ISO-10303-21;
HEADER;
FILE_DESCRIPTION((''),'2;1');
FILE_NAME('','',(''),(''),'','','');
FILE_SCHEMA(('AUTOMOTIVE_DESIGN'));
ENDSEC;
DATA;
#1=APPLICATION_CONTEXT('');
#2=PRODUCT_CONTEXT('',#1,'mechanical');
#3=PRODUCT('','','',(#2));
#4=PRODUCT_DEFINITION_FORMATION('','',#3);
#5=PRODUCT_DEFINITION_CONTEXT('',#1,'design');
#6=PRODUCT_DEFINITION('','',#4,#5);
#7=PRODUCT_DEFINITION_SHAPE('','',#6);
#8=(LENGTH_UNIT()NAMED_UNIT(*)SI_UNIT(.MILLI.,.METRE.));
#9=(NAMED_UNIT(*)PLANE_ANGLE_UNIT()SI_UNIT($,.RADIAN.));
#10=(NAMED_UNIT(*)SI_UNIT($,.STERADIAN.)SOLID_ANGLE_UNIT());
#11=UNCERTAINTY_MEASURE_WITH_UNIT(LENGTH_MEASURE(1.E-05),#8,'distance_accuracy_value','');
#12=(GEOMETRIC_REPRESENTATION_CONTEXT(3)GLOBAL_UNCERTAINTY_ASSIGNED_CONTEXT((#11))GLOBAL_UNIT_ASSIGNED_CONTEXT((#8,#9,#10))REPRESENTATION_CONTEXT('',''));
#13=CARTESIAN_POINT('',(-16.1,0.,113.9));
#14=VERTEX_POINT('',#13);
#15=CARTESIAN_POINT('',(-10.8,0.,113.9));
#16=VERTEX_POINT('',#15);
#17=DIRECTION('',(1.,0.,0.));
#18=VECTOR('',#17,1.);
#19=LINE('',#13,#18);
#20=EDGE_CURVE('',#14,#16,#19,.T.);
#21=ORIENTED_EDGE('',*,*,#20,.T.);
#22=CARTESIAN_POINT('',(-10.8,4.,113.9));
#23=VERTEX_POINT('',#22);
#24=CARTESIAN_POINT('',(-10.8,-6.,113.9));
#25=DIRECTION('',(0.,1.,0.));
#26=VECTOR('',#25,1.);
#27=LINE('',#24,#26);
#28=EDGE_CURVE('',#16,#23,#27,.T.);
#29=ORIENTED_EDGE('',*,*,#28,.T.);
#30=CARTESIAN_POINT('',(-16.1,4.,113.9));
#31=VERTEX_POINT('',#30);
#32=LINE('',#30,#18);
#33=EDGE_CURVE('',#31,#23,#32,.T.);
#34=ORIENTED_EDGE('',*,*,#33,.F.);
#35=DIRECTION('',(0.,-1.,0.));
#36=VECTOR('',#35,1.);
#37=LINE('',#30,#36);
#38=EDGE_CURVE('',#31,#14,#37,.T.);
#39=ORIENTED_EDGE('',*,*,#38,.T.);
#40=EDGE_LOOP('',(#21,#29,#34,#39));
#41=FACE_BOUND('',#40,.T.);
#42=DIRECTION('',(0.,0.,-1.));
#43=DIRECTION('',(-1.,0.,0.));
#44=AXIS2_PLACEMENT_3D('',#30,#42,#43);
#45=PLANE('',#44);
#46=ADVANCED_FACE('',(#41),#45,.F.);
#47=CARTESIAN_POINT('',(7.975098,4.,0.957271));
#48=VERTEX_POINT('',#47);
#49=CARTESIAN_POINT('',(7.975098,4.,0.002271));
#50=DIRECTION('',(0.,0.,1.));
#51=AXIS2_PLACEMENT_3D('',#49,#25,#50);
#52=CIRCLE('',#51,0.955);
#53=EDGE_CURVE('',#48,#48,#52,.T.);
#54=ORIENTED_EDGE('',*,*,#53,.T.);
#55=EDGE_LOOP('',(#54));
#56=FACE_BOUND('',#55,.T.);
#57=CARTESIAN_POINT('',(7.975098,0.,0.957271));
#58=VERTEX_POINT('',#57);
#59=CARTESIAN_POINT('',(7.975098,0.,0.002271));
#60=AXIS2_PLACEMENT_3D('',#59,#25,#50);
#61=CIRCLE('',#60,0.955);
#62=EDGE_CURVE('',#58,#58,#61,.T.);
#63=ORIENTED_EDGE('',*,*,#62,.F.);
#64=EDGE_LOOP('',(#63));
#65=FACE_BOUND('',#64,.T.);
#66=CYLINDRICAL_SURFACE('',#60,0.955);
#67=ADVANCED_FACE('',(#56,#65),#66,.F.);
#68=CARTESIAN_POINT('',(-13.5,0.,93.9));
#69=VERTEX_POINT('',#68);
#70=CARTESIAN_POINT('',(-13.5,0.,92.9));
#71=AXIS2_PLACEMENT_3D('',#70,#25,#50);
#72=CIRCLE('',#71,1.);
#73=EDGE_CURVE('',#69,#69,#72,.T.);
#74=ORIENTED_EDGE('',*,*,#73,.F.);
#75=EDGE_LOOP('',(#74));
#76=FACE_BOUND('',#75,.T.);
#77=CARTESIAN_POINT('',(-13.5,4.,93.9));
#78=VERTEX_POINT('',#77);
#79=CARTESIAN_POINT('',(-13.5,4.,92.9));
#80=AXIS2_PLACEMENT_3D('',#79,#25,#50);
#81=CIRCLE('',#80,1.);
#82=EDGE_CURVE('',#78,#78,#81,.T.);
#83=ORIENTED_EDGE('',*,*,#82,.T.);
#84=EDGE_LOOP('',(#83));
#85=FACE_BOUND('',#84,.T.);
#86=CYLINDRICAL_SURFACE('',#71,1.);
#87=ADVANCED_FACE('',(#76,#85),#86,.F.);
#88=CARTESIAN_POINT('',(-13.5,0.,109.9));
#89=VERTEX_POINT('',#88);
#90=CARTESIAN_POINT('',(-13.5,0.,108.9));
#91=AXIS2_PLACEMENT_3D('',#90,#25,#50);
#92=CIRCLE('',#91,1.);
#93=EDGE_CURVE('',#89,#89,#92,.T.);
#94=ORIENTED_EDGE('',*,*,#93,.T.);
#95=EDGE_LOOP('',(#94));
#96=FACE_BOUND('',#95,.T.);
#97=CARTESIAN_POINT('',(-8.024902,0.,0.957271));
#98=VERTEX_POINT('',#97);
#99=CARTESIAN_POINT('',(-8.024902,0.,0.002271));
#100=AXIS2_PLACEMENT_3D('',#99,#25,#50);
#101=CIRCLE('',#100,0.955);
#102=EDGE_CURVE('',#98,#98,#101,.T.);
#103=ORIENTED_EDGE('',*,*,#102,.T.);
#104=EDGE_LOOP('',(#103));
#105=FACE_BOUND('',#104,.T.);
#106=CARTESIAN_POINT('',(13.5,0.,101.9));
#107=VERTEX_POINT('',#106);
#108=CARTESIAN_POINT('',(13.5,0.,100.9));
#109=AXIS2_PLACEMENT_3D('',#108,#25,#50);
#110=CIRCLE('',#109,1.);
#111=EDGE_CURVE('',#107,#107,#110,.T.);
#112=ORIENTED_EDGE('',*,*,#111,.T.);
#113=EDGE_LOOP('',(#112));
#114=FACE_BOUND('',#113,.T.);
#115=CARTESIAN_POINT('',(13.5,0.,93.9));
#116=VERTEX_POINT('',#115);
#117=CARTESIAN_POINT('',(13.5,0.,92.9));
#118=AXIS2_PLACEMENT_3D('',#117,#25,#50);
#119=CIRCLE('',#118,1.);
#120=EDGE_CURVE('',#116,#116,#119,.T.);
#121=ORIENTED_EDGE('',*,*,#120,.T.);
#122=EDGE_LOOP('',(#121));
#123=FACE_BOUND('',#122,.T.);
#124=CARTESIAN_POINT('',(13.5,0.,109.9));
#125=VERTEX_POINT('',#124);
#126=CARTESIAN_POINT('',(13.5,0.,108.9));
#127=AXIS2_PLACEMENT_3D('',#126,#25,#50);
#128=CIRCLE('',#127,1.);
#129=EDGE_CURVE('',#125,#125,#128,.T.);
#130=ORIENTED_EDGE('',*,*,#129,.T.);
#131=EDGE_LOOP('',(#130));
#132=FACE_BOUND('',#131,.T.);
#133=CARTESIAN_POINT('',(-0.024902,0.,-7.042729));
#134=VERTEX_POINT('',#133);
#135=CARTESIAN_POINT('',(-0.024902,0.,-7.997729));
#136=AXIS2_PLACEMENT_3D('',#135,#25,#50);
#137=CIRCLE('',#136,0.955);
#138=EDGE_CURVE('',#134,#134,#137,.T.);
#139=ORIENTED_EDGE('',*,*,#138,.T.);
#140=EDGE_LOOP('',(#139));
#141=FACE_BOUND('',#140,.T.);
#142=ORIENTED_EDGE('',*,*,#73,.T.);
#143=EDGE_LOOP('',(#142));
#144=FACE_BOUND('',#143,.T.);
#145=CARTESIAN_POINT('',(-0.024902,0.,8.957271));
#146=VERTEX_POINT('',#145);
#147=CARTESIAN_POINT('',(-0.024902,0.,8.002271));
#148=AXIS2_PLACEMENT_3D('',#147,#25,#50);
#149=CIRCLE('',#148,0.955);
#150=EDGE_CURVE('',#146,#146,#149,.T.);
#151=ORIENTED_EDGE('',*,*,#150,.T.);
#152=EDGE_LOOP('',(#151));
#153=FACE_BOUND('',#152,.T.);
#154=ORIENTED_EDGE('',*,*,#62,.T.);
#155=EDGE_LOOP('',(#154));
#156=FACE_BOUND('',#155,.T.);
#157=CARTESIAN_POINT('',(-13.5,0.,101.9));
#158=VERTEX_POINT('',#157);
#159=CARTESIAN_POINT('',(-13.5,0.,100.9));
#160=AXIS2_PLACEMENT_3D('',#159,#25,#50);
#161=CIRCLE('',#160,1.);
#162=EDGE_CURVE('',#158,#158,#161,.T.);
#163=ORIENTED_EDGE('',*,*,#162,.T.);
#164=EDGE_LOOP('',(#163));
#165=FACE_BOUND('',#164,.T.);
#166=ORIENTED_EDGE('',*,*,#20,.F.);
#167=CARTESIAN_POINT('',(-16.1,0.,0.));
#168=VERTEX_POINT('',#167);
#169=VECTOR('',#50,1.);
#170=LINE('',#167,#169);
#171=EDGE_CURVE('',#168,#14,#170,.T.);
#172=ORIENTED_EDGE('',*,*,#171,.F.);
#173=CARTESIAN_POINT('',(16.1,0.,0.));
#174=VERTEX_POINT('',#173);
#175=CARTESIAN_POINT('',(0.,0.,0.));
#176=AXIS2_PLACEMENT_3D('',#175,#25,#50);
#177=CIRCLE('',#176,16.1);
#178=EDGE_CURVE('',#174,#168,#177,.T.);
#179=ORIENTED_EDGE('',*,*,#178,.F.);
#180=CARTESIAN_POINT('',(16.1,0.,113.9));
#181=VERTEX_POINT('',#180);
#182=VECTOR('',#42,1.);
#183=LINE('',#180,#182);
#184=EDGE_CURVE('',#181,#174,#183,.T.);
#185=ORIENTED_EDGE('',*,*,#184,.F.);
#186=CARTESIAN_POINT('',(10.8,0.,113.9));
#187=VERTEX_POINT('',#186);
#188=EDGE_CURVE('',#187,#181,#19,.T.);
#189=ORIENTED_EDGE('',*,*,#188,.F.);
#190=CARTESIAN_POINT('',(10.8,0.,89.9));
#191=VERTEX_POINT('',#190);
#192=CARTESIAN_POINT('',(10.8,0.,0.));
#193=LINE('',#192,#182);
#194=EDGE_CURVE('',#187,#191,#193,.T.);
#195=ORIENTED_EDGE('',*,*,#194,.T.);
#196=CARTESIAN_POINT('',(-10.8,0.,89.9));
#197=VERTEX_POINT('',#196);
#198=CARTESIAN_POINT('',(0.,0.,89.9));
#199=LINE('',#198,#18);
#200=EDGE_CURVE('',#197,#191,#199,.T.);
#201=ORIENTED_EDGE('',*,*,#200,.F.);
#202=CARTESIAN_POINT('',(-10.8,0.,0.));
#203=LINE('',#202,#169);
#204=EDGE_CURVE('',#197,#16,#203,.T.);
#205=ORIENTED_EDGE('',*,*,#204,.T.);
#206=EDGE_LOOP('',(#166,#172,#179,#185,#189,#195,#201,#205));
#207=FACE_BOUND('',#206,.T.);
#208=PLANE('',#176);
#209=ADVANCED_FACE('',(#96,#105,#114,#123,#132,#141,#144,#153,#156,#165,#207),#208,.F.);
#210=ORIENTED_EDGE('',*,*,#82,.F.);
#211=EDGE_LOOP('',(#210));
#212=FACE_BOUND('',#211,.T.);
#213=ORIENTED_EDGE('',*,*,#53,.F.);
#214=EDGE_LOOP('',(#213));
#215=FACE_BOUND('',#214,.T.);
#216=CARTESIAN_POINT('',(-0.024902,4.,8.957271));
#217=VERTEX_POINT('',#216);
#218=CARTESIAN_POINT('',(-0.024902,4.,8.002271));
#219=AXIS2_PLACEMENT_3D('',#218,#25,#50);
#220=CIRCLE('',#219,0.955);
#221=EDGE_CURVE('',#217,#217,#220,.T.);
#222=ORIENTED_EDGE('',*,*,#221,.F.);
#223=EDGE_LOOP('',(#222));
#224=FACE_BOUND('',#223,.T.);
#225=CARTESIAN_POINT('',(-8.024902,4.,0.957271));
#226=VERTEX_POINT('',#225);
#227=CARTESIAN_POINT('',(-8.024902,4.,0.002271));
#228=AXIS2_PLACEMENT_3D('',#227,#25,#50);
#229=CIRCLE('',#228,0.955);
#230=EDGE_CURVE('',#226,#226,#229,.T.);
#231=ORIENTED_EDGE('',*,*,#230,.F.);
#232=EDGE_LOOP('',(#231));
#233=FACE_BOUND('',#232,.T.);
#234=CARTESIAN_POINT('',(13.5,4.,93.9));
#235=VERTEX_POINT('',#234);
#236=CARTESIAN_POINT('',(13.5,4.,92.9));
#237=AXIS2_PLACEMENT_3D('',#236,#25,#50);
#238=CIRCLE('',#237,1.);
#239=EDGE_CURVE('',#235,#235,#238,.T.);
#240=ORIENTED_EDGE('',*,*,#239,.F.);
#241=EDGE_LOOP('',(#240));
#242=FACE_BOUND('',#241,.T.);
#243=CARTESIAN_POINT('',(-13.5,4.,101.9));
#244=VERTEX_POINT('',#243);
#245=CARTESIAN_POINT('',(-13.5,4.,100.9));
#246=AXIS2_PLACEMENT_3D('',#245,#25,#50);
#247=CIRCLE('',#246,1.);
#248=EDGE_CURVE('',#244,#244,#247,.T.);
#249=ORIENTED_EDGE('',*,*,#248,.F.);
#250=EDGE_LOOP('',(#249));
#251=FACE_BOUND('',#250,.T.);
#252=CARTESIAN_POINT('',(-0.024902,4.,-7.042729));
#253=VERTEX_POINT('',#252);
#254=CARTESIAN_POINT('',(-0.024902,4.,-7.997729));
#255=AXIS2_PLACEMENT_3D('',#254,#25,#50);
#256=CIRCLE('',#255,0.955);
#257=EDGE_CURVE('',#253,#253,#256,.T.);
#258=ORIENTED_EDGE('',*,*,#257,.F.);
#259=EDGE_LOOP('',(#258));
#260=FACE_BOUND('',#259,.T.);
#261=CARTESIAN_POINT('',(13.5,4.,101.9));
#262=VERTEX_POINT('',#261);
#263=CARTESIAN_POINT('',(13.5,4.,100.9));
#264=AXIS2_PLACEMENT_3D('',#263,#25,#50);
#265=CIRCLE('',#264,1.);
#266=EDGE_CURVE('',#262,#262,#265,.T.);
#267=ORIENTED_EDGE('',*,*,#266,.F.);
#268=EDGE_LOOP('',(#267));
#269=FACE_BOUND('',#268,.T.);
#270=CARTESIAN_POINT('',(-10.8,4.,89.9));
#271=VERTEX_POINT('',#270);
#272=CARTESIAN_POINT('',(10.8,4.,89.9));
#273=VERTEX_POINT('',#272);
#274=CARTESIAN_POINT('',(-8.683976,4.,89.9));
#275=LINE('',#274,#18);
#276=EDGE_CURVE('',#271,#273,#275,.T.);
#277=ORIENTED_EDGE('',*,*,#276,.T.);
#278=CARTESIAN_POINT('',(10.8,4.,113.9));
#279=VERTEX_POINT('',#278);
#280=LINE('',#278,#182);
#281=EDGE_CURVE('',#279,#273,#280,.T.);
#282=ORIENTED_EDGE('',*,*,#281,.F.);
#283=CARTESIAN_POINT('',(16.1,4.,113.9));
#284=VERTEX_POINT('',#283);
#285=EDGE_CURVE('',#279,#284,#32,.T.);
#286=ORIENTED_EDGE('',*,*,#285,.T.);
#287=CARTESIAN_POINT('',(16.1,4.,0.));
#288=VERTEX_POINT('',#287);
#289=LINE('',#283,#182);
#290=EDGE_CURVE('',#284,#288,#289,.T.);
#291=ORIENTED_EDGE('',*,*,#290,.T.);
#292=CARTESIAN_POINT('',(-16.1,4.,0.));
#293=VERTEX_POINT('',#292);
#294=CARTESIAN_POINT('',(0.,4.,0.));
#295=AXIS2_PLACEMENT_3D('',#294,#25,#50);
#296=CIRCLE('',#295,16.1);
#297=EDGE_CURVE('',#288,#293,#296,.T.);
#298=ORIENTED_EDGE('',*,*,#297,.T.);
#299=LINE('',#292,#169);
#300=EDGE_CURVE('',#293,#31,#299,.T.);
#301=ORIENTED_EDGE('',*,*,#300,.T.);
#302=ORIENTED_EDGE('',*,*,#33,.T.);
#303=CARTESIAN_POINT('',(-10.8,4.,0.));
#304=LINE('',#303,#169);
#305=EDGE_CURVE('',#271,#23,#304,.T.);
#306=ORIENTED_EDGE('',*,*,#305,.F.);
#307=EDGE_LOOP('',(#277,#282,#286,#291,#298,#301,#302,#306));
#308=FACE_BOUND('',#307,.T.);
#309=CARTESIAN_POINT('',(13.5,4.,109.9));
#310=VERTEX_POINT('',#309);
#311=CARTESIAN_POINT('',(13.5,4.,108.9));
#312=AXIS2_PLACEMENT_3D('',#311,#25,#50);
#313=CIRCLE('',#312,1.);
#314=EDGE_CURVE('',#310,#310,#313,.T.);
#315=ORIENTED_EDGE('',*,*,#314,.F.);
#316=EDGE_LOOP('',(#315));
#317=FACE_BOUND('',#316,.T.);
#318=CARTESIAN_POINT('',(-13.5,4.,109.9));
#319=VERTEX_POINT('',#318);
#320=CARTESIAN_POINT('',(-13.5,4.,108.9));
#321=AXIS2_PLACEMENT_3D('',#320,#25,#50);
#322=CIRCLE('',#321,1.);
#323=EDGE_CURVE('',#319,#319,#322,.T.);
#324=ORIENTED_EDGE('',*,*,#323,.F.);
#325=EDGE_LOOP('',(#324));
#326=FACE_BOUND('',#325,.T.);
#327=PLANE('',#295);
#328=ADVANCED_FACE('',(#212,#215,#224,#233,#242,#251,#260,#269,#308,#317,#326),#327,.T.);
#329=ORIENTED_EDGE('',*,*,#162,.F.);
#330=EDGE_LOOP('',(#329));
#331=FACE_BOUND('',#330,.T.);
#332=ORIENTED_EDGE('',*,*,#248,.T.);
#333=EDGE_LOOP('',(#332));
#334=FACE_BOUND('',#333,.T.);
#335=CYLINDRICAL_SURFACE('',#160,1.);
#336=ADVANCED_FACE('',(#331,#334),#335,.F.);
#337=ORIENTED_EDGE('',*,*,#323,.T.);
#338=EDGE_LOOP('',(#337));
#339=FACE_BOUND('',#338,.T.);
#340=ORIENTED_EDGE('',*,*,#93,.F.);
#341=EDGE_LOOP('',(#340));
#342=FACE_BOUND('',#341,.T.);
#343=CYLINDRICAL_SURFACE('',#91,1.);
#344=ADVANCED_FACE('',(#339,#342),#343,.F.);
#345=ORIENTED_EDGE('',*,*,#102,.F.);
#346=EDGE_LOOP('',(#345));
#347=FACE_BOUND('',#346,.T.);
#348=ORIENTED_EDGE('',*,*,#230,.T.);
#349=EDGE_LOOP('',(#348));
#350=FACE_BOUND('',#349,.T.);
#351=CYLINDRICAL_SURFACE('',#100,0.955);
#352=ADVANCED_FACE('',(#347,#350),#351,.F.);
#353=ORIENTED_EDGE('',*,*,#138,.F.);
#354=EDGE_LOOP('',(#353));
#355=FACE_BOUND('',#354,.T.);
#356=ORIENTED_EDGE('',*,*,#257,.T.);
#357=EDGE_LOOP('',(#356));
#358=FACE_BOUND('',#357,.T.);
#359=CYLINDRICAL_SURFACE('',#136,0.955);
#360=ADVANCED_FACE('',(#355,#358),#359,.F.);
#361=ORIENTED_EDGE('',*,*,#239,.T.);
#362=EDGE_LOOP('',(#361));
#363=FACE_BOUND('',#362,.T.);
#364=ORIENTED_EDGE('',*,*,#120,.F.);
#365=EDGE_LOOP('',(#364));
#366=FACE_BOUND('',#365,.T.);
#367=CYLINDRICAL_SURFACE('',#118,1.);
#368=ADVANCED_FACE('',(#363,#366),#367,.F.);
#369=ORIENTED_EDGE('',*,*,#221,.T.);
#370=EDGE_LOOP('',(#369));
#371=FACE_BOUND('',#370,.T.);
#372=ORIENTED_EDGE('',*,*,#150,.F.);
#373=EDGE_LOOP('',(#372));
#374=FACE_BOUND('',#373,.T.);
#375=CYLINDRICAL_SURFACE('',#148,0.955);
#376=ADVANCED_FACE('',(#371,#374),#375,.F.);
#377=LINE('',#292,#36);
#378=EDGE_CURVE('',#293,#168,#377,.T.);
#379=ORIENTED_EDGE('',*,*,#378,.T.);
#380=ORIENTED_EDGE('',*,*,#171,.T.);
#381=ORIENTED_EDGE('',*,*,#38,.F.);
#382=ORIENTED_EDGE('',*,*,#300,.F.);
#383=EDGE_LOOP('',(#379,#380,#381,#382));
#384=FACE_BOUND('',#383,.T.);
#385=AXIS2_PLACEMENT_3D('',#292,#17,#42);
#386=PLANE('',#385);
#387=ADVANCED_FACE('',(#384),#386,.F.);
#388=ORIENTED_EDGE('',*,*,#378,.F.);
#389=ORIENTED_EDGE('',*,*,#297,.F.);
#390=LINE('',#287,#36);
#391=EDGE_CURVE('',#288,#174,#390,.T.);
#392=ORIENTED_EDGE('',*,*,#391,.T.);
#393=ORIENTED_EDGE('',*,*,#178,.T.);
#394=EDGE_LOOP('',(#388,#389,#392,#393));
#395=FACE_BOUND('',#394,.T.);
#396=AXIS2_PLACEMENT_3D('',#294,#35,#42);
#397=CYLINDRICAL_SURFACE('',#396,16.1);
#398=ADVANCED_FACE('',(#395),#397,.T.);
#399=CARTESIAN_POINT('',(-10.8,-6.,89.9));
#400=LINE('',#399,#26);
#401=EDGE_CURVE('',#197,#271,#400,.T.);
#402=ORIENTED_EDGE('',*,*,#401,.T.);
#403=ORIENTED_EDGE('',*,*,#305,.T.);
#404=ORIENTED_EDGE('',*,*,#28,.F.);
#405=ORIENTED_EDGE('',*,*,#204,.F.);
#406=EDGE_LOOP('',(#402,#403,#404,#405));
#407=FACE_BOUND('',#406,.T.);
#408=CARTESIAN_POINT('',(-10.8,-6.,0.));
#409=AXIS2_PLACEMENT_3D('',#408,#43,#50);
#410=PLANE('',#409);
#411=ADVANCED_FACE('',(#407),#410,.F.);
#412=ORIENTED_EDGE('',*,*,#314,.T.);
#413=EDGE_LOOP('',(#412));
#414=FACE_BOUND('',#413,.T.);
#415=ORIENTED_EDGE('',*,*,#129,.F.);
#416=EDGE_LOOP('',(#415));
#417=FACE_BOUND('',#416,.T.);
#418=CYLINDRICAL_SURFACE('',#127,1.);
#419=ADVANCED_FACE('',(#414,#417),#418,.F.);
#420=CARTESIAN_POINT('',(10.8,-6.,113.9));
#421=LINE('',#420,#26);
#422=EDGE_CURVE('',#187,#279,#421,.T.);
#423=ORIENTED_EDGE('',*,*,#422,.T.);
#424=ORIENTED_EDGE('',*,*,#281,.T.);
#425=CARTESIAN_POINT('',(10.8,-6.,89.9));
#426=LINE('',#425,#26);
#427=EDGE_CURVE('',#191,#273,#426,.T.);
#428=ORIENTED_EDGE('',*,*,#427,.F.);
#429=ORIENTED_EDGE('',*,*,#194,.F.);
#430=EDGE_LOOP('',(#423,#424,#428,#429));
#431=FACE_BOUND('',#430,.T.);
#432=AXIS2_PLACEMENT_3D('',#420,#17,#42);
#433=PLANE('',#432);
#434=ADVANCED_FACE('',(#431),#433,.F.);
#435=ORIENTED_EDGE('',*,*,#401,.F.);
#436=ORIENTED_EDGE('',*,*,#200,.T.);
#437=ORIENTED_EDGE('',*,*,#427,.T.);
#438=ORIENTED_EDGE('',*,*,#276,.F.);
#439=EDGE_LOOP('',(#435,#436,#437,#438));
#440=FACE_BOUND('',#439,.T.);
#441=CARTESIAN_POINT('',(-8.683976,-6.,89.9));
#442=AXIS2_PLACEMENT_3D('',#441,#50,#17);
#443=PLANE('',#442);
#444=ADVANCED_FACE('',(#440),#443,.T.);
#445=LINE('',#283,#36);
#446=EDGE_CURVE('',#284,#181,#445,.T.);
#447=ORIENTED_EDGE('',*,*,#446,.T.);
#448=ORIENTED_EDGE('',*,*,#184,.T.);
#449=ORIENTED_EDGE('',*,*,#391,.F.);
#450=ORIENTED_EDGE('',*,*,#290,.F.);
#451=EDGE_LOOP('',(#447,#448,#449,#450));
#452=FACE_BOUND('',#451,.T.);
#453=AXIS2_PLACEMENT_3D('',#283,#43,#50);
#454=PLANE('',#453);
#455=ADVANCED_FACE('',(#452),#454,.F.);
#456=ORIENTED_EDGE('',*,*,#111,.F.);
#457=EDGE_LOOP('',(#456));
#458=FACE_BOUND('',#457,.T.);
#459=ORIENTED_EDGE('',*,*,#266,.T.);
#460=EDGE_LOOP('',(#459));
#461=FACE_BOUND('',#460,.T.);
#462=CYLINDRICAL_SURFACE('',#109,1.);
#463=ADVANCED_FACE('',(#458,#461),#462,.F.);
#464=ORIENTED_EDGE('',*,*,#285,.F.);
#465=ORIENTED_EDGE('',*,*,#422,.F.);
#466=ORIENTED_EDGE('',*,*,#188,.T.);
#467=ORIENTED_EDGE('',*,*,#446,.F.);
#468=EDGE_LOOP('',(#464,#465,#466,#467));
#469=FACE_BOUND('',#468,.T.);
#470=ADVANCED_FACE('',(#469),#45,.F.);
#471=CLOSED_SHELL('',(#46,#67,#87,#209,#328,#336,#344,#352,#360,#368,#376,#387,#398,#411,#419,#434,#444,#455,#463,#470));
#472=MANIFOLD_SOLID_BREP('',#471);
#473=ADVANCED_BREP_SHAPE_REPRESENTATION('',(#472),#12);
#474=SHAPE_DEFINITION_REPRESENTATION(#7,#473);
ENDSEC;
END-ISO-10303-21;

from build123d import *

# Parameters (mm, degrees)
BOSS_EXTRU_1_DEPTH      = 4
ESQUISSE2_R             = 0.955
ESQUISSE2_R_2           = 1
ENL_V_MAT_EXTRU_1_DEPTH = 4
ESQUISSE4_W             = 18
ESQUISSE4_H             = 24
ENL_V_MAT_EXTRU_2_DEPTH = 10
ESQUISSE5_W             = 2.116024011
ESQUISSE5_H             = 24
ESQUISSE5_W_2           = 1.483975989
ENL_V_MAT_EXTRU_3_DEPTH = 10


with BuildPart() as part:
    # Esquisse1 → Boss.-Extru.1 (new body)
    with BuildSketch(Plane(origin=(0, 0, 0), x_dir=(1, 0, 0), z_dir=(0, 1, 0))):
        with BuildLine():
            Line((-16.1, 0), (-16.1, -113.9))
            Line((-16.1, -113.9), (16.1, -113.9))
            Line((16.1, -113.9), (16.1, 0))
            ThreePointArc((16.1, 0), (0, 16.1), (-16.1, 0))
        make_face()
    extrude(amount=BOSS_EXTRU_1_DEPTH)

    # Esquisse2 → Enlèv. mat.-Extru.1 (cut)
    with BuildSketch(Plane(origin=(0, 4, 0), x_dir=(1, 0, 0), z_dir=(0, 1, 0))):
        with Locations(Location((7.975097556, -0.002271435, 0), (0, 0, 270))):
            Circle(ESQUISSE2_R)
        with Locations(Location((-8.024902444, -0.002271435, 0), (0, 0, 270))):
            Circle(ESQUISSE2_R)
        with Locations(Location((-0.024902444, -8.002271435, 0), (0, 0, 270))):
            Circle(ESQUISSE2_R)
        with Locations(Location((-0.024902444, 7.997728565, 0), (0, 0, 270))):
            Circle(ESQUISSE2_R)
        with Locations(Location((-13.5, -108.9, 0), (0, 0, 270))):
            Circle(ESQUISSE2_R_2)
        with Locations(Location((13.5, -108.9, 0), (0, 0, 270))):
            Circle(ESQUISSE2_R_2)
        with Locations(Location((-13.5, -100.9, 0), (0, 0, 270))):
            Circle(ESQUISSE2_R_2)
        with Locations(Location((13.5, -100.9, 0), (0, 0, 270))):
            Circle(ESQUISSE2_R_2)
        with Locations(Location((-13.5, -92.9, 0), (0, 0, 270))):
            Circle(ESQUISSE2_R_2)
        with Locations(Location((13.5, -92.9, 0), (0, 0, 270))):
            Circle(ESQUISSE2_R_2)
    extrude(amount=-ENL_V_MAT_EXTRU_1_DEPTH, mode=Mode.SUBTRACT)

    # Esquisse4 → Enlèv. mat.-Extru.2 (cut)
    with BuildSketch(Plane(origin=(0, 4, 0), x_dir=(1, 0, 0), z_dir=(0, 1, 0))):
        with Locations((0.316024011, -101.9)):
            Rectangle(ESQUISSE4_W, ESQUISSE4_H)
    extrude(amount=-ENL_V_MAT_EXTRU_2_DEPTH, mode=Mode.SUBTRACT)

    # Esquisse5 → Enlèv. mat.-Extru.3 (cut)
    with BuildSketch(Plane(origin=(0, 4, 0), x_dir=(1, 0, 0), z_dir=(0, 1, 0))):
        with Locations((-9.741987995, -101.9)):
            Rectangle(ESQUISSE5_W, ESQUISSE5_H)
        with Locations((10.058012006, -101.9)):
            Rectangle(ESQUISSE5_W_2, ESQUISSE5_H)
    extrude(amount=-ENL_V_MAT_EXTRU_3_DEPTH, mode=Mode.SUBTRACT)


solid = part.part
